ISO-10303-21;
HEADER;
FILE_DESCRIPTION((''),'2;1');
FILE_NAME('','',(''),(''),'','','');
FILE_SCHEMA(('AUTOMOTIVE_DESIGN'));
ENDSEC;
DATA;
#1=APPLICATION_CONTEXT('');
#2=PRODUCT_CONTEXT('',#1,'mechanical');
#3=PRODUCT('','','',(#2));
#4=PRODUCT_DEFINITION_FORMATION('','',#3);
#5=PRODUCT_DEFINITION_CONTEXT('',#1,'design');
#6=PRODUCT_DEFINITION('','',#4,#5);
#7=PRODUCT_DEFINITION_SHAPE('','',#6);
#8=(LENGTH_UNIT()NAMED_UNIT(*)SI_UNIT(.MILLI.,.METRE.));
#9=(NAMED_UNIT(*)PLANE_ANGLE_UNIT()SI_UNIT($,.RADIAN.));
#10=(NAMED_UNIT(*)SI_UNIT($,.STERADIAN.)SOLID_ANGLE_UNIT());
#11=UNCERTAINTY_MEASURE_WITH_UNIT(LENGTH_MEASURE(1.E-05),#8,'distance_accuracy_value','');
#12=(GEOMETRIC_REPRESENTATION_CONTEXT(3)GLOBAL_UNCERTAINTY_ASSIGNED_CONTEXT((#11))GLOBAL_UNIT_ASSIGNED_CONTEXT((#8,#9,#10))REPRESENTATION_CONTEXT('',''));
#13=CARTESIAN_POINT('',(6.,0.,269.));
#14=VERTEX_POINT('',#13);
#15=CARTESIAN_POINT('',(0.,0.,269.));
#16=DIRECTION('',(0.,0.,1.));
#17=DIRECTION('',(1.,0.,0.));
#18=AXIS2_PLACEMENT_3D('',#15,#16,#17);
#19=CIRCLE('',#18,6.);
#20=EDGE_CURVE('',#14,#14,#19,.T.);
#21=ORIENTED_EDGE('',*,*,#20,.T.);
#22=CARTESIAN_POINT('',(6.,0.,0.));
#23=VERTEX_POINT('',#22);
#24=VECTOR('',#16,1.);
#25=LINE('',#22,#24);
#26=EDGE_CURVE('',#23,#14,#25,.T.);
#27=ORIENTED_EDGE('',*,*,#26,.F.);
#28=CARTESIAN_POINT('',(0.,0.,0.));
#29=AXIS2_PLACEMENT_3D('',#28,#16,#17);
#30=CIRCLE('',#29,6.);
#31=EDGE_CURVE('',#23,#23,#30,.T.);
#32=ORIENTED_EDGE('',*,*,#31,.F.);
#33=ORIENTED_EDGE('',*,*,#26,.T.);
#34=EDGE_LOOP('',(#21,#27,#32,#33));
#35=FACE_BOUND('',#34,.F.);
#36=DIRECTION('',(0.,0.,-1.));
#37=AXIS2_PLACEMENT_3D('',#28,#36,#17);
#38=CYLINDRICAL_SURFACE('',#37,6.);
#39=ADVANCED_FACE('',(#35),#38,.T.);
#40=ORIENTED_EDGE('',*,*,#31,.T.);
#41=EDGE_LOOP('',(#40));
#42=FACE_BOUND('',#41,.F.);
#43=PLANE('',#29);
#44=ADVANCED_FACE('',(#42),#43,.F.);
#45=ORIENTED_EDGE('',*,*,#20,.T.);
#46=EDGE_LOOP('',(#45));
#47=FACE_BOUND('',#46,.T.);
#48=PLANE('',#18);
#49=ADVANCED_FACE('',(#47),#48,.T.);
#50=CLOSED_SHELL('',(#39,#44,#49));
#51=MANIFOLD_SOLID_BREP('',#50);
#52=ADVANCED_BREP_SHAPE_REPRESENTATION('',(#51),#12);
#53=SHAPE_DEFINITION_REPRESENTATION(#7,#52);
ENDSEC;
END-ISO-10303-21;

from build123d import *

# Parameters (mm, degrees)
SKETCH1_R           = 6
BOSS_EXTRUDE1_DEPTH = 269


with BuildPart() as part:
    # Sketch1 → Boss-Extrude1 (new body)
    with BuildSketch(Plane.XY):
        Circle(SKETCH1_R)
    extrude(amount=BOSS_EXTRUDE1_DEPTH)


solid = part.part
